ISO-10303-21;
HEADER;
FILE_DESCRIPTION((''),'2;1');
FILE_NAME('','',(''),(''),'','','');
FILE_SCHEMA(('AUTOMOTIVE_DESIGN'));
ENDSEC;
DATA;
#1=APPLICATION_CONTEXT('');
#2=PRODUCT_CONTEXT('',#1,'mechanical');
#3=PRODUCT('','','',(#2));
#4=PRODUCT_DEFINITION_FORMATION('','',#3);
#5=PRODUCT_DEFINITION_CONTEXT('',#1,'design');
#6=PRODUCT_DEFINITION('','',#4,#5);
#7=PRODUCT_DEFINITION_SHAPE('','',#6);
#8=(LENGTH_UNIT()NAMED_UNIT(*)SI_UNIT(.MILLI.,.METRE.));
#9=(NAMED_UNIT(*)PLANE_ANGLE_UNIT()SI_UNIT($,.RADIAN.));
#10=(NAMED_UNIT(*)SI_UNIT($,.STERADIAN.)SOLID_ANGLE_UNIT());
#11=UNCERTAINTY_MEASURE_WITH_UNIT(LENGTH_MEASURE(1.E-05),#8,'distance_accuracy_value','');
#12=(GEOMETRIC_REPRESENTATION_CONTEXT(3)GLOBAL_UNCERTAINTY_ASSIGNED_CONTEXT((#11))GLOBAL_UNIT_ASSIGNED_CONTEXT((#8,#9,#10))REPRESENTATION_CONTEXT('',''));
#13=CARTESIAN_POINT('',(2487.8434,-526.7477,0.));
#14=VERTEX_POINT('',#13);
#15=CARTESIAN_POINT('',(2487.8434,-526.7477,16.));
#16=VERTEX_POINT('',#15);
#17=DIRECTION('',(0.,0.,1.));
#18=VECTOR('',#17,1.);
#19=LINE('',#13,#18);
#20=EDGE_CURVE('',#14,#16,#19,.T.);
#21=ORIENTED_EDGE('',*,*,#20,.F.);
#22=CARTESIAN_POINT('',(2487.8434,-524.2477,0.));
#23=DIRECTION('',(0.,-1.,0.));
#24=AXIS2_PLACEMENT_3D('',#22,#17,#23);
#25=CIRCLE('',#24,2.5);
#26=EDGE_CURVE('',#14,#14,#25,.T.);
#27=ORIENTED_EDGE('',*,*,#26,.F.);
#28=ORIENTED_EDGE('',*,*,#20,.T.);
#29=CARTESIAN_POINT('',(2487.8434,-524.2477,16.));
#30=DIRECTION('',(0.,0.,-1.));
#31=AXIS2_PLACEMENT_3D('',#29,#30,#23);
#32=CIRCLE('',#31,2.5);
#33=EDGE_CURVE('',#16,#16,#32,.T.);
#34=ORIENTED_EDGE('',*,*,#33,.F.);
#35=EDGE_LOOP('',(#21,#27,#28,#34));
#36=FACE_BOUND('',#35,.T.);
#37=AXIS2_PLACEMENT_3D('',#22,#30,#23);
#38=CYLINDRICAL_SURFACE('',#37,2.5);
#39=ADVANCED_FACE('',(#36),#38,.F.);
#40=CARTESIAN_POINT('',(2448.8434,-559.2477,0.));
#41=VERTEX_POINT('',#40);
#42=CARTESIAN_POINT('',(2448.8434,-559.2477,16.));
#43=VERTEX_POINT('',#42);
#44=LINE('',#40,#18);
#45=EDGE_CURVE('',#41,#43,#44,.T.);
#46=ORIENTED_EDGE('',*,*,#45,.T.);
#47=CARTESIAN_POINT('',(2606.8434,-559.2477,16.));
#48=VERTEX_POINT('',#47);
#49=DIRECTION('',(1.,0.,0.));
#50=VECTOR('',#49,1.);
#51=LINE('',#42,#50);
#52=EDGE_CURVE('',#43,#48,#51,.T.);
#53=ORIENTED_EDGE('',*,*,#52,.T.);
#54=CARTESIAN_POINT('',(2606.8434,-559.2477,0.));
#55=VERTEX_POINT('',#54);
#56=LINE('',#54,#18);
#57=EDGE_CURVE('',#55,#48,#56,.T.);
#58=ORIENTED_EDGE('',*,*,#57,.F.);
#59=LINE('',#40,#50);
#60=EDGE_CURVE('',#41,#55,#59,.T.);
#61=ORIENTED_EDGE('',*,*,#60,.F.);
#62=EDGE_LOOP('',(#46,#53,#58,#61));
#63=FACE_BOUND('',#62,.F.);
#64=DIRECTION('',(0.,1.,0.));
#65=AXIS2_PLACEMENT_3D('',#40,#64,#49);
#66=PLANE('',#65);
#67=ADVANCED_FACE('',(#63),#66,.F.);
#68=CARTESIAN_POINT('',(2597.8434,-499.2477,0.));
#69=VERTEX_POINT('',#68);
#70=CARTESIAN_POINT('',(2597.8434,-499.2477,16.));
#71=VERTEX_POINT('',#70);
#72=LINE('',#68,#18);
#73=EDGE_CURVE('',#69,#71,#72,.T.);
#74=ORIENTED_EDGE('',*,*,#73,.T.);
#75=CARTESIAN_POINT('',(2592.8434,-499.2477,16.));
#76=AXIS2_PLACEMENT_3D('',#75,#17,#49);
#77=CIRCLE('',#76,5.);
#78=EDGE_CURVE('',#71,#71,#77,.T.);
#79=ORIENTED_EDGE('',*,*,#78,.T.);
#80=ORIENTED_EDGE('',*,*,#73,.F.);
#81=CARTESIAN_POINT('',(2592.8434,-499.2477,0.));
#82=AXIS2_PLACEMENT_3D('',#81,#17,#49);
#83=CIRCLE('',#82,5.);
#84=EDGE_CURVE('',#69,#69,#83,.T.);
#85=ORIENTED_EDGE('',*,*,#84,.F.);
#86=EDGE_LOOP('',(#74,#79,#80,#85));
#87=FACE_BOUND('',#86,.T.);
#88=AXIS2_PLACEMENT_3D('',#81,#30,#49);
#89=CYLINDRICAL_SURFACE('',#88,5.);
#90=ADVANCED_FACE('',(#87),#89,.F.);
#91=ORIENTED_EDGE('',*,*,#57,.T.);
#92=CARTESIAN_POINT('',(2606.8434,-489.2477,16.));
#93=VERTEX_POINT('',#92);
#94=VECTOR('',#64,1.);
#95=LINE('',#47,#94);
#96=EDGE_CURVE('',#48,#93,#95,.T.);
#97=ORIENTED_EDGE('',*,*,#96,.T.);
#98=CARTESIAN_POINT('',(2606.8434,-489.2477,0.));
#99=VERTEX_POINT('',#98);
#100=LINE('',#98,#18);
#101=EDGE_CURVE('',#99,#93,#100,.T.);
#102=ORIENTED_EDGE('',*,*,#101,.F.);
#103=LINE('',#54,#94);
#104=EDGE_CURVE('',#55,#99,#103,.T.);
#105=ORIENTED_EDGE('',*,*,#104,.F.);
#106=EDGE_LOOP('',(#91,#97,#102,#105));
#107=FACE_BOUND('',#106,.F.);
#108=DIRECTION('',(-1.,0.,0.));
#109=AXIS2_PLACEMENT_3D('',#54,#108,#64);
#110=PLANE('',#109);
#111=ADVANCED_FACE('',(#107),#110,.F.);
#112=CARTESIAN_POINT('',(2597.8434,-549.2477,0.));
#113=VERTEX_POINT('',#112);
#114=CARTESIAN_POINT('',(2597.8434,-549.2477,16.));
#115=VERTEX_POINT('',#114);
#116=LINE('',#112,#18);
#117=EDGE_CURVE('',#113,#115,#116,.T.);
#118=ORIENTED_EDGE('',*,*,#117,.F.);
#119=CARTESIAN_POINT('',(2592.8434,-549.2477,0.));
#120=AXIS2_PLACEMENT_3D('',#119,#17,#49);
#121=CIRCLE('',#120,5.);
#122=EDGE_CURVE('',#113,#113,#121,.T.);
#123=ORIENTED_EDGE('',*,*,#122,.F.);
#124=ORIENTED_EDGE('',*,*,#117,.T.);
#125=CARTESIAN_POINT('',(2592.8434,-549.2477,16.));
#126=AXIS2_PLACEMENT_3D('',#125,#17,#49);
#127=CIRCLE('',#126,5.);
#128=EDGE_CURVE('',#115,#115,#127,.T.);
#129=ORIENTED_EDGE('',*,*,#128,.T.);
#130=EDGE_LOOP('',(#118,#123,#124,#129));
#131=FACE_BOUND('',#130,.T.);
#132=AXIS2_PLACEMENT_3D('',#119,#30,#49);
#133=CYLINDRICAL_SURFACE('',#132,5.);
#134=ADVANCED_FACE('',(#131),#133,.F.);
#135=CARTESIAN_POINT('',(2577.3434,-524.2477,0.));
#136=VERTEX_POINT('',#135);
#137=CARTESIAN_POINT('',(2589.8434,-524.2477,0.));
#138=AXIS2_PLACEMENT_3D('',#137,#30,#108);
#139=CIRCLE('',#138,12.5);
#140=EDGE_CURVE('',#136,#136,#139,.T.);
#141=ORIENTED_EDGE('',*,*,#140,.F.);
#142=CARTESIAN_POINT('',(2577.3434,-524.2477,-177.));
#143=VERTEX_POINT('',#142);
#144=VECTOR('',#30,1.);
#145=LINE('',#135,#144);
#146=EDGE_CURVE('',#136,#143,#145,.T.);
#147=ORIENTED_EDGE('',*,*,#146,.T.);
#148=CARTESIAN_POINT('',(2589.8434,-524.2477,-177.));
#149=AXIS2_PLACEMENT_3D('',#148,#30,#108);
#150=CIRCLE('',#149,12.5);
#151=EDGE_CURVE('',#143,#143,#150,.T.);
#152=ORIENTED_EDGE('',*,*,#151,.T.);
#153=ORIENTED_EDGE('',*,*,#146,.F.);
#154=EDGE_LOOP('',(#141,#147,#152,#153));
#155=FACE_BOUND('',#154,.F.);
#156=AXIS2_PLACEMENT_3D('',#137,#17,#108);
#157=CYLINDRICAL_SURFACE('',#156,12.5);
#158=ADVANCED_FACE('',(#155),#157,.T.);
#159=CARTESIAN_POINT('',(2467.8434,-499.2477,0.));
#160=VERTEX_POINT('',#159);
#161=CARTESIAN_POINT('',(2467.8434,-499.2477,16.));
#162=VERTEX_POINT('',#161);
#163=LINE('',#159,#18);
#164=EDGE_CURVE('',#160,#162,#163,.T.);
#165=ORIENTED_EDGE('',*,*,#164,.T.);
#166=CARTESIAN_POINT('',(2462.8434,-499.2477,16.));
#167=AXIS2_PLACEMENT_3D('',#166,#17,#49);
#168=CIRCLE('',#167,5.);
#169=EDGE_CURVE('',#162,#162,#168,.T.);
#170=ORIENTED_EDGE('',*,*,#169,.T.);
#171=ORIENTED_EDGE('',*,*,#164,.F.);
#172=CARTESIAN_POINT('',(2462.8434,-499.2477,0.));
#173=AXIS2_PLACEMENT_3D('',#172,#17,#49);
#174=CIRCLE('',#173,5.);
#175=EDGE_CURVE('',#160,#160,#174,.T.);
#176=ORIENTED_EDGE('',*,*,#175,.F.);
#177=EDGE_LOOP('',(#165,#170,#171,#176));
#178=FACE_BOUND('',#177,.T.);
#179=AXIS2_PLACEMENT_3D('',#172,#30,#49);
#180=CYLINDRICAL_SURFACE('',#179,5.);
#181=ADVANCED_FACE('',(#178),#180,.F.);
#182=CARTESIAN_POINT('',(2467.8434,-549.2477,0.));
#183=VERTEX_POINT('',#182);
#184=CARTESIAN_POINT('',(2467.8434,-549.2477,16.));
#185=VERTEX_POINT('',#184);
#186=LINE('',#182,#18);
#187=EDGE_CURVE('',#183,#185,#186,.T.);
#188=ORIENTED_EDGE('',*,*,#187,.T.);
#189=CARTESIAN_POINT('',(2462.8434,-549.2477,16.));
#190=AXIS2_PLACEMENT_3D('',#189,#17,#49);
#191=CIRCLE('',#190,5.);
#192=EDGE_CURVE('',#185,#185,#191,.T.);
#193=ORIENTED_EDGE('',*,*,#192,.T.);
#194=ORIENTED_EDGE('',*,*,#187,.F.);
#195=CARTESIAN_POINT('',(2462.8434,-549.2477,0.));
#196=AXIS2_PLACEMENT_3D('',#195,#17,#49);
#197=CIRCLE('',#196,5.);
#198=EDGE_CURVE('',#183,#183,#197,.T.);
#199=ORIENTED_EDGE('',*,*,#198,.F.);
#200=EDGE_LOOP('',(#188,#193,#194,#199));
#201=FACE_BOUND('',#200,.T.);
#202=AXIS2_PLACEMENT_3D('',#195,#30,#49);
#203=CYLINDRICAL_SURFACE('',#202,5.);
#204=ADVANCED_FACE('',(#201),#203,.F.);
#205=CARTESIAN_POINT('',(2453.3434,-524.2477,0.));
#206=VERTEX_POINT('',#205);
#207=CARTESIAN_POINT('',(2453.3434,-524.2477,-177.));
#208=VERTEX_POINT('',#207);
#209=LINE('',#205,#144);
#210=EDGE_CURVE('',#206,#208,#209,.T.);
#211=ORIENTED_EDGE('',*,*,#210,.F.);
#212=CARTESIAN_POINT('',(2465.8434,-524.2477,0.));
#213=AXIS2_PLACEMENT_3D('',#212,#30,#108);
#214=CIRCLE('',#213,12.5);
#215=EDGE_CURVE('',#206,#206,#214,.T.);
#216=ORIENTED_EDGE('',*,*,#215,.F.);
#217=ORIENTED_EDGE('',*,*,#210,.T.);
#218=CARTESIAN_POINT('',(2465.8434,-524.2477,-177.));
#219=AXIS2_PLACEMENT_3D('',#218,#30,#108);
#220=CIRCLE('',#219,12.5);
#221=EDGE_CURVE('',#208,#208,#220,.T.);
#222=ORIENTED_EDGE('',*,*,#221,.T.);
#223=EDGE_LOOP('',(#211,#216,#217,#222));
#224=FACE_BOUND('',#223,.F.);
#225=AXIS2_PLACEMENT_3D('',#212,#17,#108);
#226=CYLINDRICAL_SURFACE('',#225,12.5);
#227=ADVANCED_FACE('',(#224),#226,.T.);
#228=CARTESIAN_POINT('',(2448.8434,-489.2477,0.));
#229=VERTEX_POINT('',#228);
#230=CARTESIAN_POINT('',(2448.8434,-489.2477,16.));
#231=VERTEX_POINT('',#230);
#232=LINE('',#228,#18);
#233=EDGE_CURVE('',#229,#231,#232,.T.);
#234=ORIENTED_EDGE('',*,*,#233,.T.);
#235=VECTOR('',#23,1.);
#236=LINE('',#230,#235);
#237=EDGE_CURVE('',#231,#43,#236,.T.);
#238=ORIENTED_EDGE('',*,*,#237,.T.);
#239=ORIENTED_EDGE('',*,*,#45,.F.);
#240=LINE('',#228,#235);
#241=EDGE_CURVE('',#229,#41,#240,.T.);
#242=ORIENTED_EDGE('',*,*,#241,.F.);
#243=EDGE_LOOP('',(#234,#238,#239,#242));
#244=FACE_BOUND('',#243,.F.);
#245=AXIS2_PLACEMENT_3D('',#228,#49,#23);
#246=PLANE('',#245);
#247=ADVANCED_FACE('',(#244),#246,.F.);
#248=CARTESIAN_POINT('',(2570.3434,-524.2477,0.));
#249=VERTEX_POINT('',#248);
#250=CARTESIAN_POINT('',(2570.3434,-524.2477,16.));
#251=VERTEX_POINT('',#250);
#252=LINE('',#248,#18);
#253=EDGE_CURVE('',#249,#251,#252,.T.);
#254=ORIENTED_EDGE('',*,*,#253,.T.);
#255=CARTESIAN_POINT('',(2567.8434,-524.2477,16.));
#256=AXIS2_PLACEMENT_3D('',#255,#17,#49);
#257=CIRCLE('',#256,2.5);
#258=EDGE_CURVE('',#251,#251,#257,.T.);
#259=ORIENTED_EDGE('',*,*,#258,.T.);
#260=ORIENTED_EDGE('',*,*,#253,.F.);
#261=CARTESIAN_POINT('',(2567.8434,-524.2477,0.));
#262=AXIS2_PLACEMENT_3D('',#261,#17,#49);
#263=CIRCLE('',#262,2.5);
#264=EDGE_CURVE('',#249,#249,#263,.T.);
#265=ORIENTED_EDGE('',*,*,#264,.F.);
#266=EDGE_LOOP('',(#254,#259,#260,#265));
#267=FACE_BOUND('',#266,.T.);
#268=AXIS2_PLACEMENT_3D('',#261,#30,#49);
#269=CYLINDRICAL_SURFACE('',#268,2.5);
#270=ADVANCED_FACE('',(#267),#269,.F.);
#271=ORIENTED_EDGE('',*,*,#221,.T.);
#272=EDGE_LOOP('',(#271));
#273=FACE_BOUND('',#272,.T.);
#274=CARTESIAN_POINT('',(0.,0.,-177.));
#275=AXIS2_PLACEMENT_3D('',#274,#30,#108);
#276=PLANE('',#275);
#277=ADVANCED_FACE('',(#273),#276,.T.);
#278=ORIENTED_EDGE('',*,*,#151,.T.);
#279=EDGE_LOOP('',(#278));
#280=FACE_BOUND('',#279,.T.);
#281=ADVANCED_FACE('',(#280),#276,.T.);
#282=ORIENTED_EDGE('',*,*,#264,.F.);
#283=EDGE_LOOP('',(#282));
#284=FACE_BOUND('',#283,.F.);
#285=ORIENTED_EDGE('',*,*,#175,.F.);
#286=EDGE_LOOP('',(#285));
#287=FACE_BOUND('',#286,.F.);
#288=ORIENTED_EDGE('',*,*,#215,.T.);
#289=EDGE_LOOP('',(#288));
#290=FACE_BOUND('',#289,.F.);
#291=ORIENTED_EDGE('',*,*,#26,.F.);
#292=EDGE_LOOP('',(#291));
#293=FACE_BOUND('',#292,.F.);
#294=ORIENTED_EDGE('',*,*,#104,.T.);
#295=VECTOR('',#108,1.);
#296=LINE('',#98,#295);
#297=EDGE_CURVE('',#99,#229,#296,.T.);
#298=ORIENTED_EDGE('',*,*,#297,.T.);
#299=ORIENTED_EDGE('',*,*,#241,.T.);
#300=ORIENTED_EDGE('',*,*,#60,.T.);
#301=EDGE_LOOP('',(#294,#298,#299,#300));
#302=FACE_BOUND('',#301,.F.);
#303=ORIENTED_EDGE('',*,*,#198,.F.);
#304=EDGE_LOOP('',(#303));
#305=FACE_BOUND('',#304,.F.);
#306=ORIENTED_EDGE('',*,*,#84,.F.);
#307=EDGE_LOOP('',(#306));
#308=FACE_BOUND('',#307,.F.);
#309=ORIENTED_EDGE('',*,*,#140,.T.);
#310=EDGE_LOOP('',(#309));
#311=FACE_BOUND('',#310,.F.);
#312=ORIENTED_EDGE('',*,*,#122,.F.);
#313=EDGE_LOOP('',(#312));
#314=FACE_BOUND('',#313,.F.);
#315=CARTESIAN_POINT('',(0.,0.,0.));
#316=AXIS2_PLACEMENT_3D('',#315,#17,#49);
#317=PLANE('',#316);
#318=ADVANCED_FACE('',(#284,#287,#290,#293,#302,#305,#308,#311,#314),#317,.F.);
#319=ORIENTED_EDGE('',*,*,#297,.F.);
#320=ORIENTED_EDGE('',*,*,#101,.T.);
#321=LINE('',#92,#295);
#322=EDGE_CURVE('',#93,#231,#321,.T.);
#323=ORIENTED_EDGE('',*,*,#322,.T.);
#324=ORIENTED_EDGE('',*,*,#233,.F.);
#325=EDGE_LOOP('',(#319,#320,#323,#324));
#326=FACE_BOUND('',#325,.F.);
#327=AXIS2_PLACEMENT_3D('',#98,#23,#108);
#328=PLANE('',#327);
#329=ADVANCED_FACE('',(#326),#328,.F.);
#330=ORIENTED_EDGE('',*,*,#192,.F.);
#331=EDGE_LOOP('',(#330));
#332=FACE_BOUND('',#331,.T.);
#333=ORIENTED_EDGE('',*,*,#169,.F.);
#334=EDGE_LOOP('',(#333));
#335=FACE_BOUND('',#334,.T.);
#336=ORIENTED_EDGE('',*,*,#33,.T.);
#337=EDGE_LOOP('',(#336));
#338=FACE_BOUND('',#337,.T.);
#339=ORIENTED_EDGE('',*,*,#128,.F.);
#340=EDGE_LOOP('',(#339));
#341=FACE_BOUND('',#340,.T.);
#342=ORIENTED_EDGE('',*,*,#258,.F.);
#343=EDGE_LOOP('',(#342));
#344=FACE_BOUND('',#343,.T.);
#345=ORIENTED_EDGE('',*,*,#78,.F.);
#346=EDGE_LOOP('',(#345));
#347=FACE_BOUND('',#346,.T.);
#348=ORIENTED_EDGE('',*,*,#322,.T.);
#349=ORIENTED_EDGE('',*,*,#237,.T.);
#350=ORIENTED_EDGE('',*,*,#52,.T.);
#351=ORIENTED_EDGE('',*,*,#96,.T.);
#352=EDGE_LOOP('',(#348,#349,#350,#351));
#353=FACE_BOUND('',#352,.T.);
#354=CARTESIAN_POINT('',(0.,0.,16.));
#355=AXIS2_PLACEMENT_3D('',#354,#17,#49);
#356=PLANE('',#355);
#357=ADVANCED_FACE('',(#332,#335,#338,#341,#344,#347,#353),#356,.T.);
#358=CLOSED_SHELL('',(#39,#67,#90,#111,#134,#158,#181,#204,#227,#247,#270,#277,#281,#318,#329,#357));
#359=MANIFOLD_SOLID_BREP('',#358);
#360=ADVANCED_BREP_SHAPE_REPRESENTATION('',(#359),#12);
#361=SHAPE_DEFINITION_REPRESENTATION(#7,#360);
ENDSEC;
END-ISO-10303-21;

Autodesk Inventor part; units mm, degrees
ref_plane "YZ Plane" through (0, 0, 0) normal (1, 0, 0) x (0, 1, 0)
ref_plane "XZ Plane" through (0, 0, 0) normal (0, 1, 0) x (-1, 0, 0)
ref_plane "XY Plane" through (0, 0, 0) normal (0, 0, 1) x (1, 0, 0)
sketch "Sketch1" plane through (0, 0, 0) normal (0, 0, 1) x (1, 0, 0)
  line L0 (2448.8434, -559.2477) -> (2606.8434, -559.2477)
  line L1 (2606.8434, -489.2477) -> (2448.8434, -489.2477)
  line L2 (2448.8434, -489.2477) -> (2448.8434, -559.2477)
  circle A0 centre (2462.8434, -549.2477) radius 5
  arc A1 (2487.8434, -526.7477) -> (2487.8434, -521.7477) centre (2487.8434, -524.2477) ccw
  arc A2 (2487.8434, -521.7477) -> (2487.8434, -526.7477) centre (2487.8434, -524.2477) ccw
  line L3 (2487.3434, -526.7477) -> (2488.3434, -526.7477)
  line L4 (2488.3434, -521.7477) -> (2487.3434, -521.7477)
  circle A3 centre (2462.8434, -499.2477) radius 5
  line L5 (2606.8434, -559.2477) -> (2606.8434, -489.2477)
  circle A4 centre (2592.8434, -549.2477) radius 5
  circle A5 centre (2592.8434, -499.2477) radius 5
  circle A6 centre (2567.8434, -524.2477) radius 2.5
  point P0 (0, 0)
extrude "Extrusion1" add sketch "Sketch1" along normal blind 16
sketch "Sketch2" plane through (0, 0, 0) normal (0, 0, -1) x (-1, 0, 0)
  circle A0 centre (-2487.8434, -524.2477) radius 2.5
  circle A1 centre (-2567.8434, -524.2477) radius 2.5
  circle A2 centre (-2589.8434, -524.2477) radius 12.5
  circle A3 centre (-2465.8434, -524.2477) radius 12.5
  line L0 (-2527.8434, -524.2477) -> (-2527.8434, -513.4708)
  point P0 (0, 0)
  dimension "d2" = 25
  dimension "d3" = 25
  dimension "d8" = 124
  dimension "d9" = 62
extrude "Extrusion2" add sketch "Sketch2" along normal blind 177 contours A2 | A3
properties part number "ADSK-MH-10030" material "Aluminum 6061"
